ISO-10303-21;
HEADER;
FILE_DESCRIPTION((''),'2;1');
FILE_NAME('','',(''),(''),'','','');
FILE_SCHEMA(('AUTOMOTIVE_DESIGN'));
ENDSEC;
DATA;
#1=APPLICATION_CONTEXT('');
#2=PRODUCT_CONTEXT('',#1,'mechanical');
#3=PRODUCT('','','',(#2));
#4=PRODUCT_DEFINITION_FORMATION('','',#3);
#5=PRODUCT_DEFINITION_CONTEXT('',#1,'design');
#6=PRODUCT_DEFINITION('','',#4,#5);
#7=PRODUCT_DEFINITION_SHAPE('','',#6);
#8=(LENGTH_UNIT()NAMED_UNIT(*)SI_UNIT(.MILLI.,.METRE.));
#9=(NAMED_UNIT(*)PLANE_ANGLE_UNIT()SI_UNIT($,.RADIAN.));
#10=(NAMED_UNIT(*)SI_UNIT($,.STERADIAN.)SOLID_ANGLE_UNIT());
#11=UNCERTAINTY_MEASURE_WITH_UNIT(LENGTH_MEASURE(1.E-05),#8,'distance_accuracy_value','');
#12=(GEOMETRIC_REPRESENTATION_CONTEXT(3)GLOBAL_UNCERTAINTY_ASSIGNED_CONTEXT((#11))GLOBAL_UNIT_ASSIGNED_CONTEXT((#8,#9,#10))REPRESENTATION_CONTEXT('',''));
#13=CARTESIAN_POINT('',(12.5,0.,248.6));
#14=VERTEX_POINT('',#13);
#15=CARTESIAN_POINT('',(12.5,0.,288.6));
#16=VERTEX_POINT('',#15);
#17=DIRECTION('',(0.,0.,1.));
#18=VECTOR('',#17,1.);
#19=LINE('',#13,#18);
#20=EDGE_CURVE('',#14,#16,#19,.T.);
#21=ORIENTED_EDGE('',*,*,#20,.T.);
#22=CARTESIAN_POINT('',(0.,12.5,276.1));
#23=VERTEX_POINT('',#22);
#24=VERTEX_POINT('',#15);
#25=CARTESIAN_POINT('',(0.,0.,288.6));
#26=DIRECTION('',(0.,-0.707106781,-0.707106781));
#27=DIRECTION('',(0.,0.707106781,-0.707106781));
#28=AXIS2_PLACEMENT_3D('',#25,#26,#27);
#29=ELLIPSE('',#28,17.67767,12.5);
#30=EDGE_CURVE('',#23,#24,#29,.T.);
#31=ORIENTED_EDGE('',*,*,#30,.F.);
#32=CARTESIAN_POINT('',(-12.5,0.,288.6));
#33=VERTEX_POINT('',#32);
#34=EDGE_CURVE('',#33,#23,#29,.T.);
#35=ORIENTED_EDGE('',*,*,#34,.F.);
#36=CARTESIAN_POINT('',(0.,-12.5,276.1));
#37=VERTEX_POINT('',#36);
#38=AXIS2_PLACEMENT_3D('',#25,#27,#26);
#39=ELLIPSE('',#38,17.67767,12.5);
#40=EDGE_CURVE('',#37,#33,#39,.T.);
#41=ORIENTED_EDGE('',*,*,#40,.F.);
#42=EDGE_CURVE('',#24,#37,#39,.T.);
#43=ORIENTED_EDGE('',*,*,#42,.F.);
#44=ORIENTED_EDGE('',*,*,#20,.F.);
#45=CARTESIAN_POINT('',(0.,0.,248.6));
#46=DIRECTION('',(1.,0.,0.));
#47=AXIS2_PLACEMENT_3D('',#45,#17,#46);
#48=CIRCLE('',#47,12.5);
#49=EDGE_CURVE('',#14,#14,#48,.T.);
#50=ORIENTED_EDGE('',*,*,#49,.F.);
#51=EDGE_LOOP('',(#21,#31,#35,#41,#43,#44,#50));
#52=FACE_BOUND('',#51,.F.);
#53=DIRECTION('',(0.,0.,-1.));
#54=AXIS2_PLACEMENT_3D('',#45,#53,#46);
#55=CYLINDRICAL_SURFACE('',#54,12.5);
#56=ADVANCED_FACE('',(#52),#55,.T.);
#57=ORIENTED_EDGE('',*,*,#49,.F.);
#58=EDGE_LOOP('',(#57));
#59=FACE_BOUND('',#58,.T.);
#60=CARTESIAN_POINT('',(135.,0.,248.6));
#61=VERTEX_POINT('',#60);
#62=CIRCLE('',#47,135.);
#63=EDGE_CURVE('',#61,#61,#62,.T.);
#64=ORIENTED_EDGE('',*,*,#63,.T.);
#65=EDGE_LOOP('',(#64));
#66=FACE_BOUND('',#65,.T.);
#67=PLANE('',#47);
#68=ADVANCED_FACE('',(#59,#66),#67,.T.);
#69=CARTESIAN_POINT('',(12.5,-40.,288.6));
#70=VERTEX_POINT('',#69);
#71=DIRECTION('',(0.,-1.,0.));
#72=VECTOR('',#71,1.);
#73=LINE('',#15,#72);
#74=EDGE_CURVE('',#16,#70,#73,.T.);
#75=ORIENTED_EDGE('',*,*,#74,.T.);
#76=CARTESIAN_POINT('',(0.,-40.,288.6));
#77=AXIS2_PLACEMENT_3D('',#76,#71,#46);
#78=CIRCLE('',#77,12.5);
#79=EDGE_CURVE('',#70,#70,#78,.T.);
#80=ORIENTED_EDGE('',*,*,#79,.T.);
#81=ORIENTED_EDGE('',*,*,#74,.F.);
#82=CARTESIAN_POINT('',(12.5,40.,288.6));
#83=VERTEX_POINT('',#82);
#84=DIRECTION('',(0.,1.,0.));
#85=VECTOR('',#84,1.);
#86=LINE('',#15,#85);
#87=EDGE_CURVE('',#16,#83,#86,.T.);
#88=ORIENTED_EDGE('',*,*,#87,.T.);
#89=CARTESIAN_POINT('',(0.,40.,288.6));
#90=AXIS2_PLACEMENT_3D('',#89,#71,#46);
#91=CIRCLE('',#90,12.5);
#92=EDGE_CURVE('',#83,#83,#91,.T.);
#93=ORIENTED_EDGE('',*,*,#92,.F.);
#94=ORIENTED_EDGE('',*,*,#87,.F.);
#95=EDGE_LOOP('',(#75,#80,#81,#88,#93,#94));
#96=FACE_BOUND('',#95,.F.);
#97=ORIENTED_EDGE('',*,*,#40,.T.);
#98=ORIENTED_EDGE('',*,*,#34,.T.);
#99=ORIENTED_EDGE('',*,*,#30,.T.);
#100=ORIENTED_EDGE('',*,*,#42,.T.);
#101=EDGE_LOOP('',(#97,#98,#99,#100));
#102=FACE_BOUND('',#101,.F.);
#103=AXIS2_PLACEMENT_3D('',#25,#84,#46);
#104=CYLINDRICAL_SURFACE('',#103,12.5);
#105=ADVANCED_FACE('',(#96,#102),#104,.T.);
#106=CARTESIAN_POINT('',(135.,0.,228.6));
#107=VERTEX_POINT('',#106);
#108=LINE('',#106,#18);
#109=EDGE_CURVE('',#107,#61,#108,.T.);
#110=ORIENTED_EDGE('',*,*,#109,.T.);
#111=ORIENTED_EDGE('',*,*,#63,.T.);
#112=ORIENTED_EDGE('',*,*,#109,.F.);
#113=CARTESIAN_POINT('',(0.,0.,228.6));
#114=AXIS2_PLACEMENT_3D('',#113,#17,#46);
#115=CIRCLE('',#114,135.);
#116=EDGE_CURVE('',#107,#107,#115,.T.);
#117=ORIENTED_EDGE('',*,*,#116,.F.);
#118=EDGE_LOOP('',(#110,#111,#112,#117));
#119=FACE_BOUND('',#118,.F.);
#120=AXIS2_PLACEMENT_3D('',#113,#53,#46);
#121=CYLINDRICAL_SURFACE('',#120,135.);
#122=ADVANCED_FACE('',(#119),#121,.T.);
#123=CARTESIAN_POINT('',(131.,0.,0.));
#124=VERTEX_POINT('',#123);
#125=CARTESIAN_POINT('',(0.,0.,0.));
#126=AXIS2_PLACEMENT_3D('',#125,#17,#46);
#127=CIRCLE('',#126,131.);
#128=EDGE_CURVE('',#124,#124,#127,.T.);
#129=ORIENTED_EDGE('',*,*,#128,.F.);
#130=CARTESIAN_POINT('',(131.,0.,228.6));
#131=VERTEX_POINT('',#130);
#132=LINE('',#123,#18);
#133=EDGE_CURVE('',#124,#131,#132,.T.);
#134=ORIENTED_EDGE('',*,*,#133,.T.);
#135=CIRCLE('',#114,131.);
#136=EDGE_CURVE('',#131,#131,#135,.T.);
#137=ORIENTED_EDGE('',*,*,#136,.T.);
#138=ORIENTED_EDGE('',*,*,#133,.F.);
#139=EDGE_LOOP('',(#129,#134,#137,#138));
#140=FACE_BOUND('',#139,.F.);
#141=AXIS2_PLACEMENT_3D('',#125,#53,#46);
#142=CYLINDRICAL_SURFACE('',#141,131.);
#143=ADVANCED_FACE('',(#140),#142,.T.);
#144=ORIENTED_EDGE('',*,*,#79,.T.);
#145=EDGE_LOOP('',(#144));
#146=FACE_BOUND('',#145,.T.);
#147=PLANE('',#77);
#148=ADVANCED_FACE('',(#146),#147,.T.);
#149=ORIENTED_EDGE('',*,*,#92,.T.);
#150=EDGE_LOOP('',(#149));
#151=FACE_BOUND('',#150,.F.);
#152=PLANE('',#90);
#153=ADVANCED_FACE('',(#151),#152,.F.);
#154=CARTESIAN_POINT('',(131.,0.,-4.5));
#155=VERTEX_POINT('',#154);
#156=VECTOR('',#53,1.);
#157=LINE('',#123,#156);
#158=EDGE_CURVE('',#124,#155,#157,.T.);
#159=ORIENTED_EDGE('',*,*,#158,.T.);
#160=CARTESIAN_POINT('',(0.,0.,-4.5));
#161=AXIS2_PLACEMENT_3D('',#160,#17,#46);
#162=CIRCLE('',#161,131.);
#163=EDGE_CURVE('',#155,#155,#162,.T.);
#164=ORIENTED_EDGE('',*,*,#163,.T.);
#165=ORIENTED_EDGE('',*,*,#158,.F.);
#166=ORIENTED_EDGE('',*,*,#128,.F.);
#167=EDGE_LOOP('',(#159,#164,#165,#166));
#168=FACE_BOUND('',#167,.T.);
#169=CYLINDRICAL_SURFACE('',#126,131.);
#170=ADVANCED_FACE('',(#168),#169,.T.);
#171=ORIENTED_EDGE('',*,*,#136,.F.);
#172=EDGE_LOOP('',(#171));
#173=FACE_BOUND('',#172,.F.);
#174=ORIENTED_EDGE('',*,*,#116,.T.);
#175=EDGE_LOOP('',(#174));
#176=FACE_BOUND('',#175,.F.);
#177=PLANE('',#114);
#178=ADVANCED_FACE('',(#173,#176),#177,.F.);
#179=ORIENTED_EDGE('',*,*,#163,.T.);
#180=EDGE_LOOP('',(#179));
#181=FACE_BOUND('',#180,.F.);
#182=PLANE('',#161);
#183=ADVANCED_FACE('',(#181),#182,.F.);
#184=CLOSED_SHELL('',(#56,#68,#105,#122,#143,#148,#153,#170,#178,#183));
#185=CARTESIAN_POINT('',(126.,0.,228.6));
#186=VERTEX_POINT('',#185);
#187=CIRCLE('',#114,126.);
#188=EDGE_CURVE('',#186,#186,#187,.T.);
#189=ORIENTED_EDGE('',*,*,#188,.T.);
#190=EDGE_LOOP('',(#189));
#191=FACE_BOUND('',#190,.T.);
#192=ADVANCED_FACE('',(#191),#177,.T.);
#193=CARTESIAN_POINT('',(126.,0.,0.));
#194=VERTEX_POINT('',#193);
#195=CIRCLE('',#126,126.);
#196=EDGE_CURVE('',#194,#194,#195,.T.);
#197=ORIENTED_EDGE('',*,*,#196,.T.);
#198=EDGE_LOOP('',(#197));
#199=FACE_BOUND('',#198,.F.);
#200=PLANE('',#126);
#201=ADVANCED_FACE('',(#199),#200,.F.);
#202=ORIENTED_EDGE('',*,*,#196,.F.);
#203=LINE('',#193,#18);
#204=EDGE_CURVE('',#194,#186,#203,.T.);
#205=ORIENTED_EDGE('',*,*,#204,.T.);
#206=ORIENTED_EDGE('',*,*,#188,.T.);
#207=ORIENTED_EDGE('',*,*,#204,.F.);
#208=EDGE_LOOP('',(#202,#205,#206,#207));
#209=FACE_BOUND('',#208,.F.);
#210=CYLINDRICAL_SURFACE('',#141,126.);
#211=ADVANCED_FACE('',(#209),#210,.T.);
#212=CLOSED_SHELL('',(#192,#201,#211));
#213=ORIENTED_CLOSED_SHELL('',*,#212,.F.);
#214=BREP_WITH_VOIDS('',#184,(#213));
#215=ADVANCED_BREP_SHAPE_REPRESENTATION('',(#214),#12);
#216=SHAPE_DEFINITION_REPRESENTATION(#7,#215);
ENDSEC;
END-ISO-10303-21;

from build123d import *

# Parameters (mm, degrees)
F0_R          = 131
F0_R_2        = 127
F1_DEPTH      = 4.5
F2_R          = 131
F2_R_2        = 126
F3_DEPTH      = 228.6
F4_R          = 135
F4_R_2        = 126
F5_DEPTH      = 20
F6_R          = 12.5
F7_DEPTH      = 40
F8_R          = 12.5
F9_DEPTH      = 40
F9_DEPTH_BACK = 40


with BuildPart() as f1:
    # F0 (on Top) → F1 (new body)
    with BuildSketch(Plane.XY):
        Circle(F0_R)
        Circle(F0_R_2, mode=Mode.SUBTRACT)
        Circle(F0_R_2)
    extrude(amount=-F1_DEPTH)

    # F2 (on face) → F3 (join)
    with BuildSketch(Plane.XY):
        Circle(F2_R)
        Circle(F2_R_2, mode=Mode.SUBTRACT)
    extrude(amount=F3_DEPTH)

    # F4 (on face) → F5 (join)
    with BuildSketch(Plane.XY.offset(228.6)):
        Circle(F4_R)
        Circle(F4_R_2)
    extrude(amount=F5_DEPTH)

    # F6 (on face) → F7 (join)
    with BuildSketch(Plane.XY.offset(248.6)):
        Circle(F6_R)
    extrude(amount=F7_DEPTH)

    # F8 (on Front) → F9 (join, two sides)
    with BuildSketch(Plane.XZ) as f9_sk:
        with Locations((0, 288.6)):
            Circle(F8_R)
    extrude(amount=-F9_DEPTH)
    extrude(f9_sk.sketch, amount=F9_DEPTH_BACK)


solid = f1.part
